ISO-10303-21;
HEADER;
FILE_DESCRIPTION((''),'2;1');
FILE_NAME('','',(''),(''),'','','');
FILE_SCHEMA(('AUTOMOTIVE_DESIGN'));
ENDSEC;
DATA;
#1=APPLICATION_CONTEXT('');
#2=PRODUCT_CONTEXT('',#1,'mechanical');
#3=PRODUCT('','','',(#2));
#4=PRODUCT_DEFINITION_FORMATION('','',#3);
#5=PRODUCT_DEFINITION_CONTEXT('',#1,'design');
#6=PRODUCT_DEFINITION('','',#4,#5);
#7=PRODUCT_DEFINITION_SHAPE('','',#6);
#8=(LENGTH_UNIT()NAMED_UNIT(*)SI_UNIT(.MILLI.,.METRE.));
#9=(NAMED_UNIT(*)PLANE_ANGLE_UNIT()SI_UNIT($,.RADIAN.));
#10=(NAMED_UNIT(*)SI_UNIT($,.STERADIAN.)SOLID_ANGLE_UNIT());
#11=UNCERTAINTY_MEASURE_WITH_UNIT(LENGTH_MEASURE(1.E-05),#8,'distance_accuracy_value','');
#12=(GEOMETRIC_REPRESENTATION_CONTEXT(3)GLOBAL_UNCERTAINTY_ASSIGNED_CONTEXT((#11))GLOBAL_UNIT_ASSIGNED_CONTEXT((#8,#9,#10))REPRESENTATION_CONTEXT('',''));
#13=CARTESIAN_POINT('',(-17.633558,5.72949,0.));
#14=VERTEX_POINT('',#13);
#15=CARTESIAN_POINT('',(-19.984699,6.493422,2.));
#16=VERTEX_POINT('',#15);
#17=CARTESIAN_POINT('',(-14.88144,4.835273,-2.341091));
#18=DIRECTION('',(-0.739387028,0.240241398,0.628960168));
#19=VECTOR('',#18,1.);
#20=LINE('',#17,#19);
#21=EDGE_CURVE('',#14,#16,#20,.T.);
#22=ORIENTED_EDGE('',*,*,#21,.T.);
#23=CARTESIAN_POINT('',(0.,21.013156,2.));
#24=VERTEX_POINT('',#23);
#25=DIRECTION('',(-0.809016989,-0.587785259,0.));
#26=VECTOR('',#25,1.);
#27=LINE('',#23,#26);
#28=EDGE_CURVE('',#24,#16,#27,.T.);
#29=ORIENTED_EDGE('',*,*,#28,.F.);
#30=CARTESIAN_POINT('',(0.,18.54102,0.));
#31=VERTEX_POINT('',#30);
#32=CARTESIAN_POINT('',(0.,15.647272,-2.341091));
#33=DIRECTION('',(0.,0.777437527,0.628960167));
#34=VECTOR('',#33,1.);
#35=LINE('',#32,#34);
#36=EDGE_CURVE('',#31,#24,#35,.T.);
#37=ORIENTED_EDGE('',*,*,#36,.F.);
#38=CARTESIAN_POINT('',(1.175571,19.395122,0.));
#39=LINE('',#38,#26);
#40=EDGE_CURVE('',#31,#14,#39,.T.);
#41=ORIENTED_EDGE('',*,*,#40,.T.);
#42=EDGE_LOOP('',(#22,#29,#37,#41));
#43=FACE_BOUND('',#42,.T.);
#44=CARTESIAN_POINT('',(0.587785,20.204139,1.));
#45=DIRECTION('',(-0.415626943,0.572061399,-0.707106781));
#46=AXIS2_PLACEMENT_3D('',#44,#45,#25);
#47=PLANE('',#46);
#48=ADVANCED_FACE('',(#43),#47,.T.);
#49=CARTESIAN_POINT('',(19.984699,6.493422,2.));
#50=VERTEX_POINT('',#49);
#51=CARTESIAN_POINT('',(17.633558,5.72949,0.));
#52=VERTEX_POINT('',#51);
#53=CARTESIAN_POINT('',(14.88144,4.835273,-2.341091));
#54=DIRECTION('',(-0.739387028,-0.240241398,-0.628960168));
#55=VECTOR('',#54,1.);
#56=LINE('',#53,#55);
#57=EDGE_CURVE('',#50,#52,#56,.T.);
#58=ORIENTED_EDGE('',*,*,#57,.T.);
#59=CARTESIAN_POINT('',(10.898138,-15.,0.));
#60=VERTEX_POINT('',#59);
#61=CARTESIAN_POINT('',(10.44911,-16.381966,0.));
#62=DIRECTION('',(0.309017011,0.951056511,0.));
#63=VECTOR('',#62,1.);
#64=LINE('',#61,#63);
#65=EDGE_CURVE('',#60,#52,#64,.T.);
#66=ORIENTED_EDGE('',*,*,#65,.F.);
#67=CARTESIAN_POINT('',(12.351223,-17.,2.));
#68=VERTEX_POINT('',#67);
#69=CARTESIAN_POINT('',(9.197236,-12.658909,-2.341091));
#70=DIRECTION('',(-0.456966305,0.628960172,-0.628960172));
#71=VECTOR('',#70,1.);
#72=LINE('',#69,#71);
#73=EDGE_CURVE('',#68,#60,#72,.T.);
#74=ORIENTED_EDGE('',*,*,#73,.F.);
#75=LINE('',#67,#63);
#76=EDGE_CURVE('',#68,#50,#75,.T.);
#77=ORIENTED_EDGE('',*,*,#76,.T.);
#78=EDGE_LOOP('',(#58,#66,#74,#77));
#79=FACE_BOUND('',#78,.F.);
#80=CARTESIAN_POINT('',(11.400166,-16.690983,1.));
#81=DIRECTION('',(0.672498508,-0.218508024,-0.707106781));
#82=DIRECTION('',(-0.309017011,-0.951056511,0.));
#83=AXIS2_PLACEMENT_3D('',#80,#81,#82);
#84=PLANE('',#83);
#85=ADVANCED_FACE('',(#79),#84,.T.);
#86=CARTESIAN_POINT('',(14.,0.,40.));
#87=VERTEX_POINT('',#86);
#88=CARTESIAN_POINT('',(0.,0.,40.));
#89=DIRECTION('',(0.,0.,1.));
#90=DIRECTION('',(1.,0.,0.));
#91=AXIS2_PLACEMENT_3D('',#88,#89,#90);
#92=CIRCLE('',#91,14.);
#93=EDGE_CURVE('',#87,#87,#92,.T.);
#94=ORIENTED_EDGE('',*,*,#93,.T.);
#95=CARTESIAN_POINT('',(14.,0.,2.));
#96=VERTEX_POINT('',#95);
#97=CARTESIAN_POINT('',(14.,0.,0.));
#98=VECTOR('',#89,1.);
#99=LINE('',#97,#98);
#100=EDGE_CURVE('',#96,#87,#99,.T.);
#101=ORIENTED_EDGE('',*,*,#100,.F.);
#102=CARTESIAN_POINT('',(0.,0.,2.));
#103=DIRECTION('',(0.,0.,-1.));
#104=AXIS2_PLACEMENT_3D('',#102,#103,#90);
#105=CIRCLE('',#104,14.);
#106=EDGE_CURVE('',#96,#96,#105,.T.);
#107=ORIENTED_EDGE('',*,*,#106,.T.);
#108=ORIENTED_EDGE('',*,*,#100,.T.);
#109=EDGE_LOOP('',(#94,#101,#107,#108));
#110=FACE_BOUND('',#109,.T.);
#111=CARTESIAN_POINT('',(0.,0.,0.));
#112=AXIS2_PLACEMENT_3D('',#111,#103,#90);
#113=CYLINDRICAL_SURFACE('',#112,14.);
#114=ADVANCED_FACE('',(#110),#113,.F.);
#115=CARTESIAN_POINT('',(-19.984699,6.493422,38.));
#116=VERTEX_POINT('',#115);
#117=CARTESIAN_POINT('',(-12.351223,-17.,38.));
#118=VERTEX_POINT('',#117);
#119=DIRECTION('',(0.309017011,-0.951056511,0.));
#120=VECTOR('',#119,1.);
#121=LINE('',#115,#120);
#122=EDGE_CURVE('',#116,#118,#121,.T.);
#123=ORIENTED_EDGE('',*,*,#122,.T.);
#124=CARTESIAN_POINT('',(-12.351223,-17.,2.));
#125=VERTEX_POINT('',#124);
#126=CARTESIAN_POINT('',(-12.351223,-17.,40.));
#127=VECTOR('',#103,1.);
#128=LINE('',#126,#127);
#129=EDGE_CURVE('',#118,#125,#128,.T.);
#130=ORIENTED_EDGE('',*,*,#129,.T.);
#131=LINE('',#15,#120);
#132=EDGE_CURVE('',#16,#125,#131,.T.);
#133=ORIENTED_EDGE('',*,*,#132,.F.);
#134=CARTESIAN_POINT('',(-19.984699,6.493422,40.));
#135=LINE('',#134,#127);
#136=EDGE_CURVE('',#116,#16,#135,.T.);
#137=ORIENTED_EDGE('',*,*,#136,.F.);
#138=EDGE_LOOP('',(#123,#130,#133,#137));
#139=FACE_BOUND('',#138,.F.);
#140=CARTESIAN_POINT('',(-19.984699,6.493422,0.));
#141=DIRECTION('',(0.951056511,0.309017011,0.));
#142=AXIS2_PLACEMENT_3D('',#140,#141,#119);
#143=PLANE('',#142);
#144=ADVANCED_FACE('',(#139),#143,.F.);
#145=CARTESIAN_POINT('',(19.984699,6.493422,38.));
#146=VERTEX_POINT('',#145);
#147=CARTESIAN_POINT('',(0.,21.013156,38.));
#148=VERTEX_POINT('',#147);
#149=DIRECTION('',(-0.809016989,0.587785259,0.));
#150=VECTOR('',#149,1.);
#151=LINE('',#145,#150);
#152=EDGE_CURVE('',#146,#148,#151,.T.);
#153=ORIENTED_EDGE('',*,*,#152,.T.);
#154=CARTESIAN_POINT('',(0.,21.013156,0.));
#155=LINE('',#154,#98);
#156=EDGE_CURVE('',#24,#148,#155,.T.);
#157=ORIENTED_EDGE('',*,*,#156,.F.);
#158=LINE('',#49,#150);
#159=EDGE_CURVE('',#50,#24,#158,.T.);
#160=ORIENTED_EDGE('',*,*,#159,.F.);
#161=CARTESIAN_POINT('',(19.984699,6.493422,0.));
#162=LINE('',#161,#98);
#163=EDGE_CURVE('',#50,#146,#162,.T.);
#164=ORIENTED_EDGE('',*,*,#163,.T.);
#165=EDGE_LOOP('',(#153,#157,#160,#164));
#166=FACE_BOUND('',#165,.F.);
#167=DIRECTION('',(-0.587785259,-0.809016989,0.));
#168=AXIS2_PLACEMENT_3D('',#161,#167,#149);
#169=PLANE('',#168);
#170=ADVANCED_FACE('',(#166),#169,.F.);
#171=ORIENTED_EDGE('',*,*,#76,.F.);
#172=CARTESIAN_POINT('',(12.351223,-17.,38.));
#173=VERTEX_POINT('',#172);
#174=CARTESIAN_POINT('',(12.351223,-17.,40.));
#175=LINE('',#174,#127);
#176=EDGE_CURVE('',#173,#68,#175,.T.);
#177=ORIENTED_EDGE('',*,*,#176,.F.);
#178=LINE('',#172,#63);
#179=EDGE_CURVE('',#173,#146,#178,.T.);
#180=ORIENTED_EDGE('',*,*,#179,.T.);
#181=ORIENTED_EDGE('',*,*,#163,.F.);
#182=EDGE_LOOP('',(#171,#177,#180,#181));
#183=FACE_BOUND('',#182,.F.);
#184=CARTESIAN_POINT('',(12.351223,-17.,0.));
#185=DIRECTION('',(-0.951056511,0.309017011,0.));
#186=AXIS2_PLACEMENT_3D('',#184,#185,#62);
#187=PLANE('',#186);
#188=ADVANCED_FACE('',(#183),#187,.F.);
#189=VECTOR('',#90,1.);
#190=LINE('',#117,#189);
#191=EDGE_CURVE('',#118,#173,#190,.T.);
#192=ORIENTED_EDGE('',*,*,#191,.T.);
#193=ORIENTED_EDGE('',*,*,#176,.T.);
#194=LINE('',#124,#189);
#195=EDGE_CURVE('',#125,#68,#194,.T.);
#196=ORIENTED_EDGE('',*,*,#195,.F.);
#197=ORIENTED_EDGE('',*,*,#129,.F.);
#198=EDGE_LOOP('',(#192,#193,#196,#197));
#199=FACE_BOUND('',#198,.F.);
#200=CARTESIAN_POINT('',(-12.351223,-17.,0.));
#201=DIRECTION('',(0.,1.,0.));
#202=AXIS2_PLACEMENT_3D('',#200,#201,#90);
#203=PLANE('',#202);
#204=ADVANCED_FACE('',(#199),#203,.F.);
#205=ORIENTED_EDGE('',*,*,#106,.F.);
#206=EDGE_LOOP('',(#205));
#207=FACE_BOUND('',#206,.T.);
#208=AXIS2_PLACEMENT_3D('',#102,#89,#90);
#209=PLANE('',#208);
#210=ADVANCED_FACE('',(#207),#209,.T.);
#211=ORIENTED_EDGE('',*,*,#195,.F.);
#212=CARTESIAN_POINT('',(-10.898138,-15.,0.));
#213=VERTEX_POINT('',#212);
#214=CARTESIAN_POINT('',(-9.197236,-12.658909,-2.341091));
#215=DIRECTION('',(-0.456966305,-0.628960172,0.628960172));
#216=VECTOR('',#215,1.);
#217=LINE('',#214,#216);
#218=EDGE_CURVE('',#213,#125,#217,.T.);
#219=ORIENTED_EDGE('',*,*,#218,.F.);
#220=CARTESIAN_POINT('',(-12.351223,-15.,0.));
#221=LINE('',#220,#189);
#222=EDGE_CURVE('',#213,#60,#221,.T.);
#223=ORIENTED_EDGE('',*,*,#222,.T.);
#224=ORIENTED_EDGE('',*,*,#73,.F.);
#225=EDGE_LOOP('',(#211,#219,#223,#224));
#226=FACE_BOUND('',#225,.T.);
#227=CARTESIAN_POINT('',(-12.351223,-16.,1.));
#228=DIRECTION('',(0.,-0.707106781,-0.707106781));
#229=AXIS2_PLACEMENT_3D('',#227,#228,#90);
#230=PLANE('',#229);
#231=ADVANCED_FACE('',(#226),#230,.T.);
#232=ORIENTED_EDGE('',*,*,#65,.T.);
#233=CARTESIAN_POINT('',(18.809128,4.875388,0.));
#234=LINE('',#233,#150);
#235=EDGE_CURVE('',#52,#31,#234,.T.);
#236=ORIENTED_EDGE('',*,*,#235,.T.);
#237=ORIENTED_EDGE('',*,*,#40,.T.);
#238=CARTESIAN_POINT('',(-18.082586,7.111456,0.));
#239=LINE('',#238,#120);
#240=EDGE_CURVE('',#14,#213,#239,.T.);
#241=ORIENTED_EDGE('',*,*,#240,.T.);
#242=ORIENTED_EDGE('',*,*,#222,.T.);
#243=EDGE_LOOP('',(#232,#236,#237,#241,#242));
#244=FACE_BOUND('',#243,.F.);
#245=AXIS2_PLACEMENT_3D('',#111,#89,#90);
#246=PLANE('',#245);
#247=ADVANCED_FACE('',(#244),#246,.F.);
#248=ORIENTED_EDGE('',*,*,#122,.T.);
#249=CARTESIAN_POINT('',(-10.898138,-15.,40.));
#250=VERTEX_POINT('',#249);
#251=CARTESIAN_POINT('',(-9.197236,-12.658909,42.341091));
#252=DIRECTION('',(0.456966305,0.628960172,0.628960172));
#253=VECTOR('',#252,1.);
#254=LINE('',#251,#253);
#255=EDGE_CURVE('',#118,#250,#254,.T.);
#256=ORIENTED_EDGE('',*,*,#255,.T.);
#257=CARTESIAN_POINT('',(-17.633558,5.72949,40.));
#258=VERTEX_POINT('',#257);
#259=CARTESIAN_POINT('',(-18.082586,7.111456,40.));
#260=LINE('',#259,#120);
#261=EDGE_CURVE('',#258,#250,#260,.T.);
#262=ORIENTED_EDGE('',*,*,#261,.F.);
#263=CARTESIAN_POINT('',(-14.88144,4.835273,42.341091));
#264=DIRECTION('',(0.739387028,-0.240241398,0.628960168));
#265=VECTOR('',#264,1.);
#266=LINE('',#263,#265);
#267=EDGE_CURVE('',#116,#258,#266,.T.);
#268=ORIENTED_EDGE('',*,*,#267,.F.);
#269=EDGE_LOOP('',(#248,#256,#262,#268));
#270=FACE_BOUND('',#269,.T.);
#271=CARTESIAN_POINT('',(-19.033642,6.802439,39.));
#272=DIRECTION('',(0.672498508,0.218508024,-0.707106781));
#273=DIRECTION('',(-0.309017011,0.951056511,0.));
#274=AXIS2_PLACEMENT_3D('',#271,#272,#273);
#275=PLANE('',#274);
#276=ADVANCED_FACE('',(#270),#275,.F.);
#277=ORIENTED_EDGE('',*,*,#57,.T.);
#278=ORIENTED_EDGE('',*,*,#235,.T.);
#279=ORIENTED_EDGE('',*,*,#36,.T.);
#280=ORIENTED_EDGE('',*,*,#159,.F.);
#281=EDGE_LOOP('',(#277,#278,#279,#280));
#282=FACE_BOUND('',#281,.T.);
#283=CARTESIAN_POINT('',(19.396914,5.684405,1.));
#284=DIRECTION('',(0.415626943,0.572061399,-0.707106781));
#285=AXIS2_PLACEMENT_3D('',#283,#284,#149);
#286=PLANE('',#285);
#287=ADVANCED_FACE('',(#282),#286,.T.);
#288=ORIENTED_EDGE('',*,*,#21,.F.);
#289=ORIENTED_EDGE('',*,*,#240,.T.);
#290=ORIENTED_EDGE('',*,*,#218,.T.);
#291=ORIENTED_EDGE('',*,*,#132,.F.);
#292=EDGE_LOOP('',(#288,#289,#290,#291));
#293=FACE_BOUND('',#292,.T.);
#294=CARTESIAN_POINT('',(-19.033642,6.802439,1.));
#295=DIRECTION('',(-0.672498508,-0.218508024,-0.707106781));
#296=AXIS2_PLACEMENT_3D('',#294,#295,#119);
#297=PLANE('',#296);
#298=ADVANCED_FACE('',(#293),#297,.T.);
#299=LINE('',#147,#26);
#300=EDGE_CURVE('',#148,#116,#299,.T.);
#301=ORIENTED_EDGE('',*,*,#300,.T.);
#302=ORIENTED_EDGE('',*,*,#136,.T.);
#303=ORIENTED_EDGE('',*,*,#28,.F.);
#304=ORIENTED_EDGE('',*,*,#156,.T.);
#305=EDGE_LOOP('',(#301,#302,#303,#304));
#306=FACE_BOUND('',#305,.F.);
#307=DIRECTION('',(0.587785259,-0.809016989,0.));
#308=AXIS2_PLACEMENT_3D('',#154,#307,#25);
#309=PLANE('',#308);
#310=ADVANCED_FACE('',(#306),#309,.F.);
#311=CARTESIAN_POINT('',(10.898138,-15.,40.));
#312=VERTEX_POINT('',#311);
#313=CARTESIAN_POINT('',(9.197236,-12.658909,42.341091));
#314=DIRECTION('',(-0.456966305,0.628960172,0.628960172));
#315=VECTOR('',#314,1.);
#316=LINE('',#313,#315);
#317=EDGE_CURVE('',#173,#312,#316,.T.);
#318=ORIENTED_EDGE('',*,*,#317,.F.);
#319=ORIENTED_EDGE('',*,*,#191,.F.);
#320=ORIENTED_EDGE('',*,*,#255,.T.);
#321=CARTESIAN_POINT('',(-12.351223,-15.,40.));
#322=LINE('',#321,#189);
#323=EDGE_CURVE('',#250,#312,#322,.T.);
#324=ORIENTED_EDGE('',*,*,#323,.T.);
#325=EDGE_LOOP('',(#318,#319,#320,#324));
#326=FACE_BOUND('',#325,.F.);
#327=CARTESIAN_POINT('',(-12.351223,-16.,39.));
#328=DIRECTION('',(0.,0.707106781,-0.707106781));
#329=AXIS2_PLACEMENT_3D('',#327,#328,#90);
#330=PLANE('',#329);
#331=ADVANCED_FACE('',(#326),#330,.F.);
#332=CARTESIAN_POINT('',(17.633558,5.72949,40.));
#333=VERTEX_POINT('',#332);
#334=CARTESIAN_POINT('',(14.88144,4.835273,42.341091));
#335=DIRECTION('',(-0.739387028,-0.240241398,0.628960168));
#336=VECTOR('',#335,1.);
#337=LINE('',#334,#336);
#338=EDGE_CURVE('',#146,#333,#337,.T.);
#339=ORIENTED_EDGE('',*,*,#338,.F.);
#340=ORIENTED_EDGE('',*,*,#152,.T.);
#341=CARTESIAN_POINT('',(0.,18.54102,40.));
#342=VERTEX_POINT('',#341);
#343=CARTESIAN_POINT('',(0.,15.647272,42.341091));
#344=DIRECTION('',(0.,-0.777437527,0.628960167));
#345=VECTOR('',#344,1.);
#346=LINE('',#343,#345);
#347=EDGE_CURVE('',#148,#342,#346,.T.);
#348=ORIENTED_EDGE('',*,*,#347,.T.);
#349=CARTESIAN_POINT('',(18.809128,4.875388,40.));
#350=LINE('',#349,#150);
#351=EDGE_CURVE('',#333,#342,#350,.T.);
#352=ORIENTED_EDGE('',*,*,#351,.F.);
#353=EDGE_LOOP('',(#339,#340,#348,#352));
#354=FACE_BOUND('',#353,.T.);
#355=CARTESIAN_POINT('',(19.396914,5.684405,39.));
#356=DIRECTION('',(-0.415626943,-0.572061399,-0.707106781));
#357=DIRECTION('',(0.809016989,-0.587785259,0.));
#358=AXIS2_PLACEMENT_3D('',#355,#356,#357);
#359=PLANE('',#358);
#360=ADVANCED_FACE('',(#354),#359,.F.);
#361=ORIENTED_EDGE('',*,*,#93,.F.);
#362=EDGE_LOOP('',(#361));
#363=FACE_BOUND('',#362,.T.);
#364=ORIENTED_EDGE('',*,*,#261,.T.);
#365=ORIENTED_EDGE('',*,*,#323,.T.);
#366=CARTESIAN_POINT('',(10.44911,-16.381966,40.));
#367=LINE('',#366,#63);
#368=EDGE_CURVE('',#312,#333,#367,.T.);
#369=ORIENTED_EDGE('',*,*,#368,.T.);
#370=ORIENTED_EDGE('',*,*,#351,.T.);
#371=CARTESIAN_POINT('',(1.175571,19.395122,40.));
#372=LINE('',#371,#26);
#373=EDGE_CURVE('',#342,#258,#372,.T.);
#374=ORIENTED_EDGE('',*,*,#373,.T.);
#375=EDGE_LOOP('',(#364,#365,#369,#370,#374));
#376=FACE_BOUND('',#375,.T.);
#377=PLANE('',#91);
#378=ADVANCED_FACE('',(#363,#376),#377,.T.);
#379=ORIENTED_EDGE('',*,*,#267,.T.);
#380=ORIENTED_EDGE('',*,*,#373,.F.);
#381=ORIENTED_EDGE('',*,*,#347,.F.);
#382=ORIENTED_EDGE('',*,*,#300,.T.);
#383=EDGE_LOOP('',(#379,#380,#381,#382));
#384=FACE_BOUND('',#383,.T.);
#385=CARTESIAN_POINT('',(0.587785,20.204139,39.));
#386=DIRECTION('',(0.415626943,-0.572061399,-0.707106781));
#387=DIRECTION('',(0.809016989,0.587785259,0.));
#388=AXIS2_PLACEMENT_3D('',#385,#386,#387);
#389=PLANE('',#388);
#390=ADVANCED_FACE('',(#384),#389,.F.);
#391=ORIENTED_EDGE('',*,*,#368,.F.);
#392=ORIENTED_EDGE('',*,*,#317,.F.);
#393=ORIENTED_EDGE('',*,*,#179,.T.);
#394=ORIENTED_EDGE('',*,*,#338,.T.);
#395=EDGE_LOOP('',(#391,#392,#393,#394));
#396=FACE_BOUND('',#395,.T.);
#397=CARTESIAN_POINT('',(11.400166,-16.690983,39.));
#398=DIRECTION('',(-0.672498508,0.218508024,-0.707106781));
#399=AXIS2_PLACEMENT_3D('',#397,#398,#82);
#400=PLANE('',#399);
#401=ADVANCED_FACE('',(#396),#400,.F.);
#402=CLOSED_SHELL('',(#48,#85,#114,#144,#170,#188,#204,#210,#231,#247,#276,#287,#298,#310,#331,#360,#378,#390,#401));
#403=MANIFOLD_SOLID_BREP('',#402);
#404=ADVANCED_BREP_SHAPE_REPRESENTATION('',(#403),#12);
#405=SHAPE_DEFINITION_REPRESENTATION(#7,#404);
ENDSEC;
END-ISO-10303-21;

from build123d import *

# Parameters (mm, degrees)
F0_R     = 14
F1_DEPTH = 2
F2_DEPTH = 40
F3_SIZE  = 2


with BuildPart() as f1:
    # F0 (on Top) → F1 (new body)
    with BuildSketch(Plane.XY):
        Polygon((12.351223, -17), (19.984699, 6.493422), (0, 21.013156), (-19.984699, 6.493422), (-12.351223, -17), align=None)
        Circle(F0_R, mode=Mode.SUBTRACT)
        Circle(F0_R)
    extrude(amount=F1_DEPTH)

    # F0 (on Top) → F2 (join)
    with BuildSketch(Plane.XY):
        Polygon((12.351223, -17), (19.984699, 6.493422), (0, 21.013156), (-19.984699, 6.493422), (-12.351223, -17), align=None)
        Circle(F0_R, mode=Mode.SUBTRACT)
    extrude(amount=F2_DEPTH)

    # F3
    f3_edges = [f1.edges().sort_by_distance(p)[0] for p in [
        (16.167961, -5.253289, 40),
        (9.992349, 13.753289, 40),
        (-9.992349, 13.753289, 40),
        (-16.167961, -5.253289, 40),
        (0, -17, 40),
        (16.167961, -5.253289, 0),
        (9.992349, 13.753289, 0),
        (-16.167961, -5.253289, 0),
        (0, -17, 0),
        (-9.992349, 13.753289, 0),
    ]]
    chamfer(f3_edges, length=F3_SIZE)


solid = f1.part
